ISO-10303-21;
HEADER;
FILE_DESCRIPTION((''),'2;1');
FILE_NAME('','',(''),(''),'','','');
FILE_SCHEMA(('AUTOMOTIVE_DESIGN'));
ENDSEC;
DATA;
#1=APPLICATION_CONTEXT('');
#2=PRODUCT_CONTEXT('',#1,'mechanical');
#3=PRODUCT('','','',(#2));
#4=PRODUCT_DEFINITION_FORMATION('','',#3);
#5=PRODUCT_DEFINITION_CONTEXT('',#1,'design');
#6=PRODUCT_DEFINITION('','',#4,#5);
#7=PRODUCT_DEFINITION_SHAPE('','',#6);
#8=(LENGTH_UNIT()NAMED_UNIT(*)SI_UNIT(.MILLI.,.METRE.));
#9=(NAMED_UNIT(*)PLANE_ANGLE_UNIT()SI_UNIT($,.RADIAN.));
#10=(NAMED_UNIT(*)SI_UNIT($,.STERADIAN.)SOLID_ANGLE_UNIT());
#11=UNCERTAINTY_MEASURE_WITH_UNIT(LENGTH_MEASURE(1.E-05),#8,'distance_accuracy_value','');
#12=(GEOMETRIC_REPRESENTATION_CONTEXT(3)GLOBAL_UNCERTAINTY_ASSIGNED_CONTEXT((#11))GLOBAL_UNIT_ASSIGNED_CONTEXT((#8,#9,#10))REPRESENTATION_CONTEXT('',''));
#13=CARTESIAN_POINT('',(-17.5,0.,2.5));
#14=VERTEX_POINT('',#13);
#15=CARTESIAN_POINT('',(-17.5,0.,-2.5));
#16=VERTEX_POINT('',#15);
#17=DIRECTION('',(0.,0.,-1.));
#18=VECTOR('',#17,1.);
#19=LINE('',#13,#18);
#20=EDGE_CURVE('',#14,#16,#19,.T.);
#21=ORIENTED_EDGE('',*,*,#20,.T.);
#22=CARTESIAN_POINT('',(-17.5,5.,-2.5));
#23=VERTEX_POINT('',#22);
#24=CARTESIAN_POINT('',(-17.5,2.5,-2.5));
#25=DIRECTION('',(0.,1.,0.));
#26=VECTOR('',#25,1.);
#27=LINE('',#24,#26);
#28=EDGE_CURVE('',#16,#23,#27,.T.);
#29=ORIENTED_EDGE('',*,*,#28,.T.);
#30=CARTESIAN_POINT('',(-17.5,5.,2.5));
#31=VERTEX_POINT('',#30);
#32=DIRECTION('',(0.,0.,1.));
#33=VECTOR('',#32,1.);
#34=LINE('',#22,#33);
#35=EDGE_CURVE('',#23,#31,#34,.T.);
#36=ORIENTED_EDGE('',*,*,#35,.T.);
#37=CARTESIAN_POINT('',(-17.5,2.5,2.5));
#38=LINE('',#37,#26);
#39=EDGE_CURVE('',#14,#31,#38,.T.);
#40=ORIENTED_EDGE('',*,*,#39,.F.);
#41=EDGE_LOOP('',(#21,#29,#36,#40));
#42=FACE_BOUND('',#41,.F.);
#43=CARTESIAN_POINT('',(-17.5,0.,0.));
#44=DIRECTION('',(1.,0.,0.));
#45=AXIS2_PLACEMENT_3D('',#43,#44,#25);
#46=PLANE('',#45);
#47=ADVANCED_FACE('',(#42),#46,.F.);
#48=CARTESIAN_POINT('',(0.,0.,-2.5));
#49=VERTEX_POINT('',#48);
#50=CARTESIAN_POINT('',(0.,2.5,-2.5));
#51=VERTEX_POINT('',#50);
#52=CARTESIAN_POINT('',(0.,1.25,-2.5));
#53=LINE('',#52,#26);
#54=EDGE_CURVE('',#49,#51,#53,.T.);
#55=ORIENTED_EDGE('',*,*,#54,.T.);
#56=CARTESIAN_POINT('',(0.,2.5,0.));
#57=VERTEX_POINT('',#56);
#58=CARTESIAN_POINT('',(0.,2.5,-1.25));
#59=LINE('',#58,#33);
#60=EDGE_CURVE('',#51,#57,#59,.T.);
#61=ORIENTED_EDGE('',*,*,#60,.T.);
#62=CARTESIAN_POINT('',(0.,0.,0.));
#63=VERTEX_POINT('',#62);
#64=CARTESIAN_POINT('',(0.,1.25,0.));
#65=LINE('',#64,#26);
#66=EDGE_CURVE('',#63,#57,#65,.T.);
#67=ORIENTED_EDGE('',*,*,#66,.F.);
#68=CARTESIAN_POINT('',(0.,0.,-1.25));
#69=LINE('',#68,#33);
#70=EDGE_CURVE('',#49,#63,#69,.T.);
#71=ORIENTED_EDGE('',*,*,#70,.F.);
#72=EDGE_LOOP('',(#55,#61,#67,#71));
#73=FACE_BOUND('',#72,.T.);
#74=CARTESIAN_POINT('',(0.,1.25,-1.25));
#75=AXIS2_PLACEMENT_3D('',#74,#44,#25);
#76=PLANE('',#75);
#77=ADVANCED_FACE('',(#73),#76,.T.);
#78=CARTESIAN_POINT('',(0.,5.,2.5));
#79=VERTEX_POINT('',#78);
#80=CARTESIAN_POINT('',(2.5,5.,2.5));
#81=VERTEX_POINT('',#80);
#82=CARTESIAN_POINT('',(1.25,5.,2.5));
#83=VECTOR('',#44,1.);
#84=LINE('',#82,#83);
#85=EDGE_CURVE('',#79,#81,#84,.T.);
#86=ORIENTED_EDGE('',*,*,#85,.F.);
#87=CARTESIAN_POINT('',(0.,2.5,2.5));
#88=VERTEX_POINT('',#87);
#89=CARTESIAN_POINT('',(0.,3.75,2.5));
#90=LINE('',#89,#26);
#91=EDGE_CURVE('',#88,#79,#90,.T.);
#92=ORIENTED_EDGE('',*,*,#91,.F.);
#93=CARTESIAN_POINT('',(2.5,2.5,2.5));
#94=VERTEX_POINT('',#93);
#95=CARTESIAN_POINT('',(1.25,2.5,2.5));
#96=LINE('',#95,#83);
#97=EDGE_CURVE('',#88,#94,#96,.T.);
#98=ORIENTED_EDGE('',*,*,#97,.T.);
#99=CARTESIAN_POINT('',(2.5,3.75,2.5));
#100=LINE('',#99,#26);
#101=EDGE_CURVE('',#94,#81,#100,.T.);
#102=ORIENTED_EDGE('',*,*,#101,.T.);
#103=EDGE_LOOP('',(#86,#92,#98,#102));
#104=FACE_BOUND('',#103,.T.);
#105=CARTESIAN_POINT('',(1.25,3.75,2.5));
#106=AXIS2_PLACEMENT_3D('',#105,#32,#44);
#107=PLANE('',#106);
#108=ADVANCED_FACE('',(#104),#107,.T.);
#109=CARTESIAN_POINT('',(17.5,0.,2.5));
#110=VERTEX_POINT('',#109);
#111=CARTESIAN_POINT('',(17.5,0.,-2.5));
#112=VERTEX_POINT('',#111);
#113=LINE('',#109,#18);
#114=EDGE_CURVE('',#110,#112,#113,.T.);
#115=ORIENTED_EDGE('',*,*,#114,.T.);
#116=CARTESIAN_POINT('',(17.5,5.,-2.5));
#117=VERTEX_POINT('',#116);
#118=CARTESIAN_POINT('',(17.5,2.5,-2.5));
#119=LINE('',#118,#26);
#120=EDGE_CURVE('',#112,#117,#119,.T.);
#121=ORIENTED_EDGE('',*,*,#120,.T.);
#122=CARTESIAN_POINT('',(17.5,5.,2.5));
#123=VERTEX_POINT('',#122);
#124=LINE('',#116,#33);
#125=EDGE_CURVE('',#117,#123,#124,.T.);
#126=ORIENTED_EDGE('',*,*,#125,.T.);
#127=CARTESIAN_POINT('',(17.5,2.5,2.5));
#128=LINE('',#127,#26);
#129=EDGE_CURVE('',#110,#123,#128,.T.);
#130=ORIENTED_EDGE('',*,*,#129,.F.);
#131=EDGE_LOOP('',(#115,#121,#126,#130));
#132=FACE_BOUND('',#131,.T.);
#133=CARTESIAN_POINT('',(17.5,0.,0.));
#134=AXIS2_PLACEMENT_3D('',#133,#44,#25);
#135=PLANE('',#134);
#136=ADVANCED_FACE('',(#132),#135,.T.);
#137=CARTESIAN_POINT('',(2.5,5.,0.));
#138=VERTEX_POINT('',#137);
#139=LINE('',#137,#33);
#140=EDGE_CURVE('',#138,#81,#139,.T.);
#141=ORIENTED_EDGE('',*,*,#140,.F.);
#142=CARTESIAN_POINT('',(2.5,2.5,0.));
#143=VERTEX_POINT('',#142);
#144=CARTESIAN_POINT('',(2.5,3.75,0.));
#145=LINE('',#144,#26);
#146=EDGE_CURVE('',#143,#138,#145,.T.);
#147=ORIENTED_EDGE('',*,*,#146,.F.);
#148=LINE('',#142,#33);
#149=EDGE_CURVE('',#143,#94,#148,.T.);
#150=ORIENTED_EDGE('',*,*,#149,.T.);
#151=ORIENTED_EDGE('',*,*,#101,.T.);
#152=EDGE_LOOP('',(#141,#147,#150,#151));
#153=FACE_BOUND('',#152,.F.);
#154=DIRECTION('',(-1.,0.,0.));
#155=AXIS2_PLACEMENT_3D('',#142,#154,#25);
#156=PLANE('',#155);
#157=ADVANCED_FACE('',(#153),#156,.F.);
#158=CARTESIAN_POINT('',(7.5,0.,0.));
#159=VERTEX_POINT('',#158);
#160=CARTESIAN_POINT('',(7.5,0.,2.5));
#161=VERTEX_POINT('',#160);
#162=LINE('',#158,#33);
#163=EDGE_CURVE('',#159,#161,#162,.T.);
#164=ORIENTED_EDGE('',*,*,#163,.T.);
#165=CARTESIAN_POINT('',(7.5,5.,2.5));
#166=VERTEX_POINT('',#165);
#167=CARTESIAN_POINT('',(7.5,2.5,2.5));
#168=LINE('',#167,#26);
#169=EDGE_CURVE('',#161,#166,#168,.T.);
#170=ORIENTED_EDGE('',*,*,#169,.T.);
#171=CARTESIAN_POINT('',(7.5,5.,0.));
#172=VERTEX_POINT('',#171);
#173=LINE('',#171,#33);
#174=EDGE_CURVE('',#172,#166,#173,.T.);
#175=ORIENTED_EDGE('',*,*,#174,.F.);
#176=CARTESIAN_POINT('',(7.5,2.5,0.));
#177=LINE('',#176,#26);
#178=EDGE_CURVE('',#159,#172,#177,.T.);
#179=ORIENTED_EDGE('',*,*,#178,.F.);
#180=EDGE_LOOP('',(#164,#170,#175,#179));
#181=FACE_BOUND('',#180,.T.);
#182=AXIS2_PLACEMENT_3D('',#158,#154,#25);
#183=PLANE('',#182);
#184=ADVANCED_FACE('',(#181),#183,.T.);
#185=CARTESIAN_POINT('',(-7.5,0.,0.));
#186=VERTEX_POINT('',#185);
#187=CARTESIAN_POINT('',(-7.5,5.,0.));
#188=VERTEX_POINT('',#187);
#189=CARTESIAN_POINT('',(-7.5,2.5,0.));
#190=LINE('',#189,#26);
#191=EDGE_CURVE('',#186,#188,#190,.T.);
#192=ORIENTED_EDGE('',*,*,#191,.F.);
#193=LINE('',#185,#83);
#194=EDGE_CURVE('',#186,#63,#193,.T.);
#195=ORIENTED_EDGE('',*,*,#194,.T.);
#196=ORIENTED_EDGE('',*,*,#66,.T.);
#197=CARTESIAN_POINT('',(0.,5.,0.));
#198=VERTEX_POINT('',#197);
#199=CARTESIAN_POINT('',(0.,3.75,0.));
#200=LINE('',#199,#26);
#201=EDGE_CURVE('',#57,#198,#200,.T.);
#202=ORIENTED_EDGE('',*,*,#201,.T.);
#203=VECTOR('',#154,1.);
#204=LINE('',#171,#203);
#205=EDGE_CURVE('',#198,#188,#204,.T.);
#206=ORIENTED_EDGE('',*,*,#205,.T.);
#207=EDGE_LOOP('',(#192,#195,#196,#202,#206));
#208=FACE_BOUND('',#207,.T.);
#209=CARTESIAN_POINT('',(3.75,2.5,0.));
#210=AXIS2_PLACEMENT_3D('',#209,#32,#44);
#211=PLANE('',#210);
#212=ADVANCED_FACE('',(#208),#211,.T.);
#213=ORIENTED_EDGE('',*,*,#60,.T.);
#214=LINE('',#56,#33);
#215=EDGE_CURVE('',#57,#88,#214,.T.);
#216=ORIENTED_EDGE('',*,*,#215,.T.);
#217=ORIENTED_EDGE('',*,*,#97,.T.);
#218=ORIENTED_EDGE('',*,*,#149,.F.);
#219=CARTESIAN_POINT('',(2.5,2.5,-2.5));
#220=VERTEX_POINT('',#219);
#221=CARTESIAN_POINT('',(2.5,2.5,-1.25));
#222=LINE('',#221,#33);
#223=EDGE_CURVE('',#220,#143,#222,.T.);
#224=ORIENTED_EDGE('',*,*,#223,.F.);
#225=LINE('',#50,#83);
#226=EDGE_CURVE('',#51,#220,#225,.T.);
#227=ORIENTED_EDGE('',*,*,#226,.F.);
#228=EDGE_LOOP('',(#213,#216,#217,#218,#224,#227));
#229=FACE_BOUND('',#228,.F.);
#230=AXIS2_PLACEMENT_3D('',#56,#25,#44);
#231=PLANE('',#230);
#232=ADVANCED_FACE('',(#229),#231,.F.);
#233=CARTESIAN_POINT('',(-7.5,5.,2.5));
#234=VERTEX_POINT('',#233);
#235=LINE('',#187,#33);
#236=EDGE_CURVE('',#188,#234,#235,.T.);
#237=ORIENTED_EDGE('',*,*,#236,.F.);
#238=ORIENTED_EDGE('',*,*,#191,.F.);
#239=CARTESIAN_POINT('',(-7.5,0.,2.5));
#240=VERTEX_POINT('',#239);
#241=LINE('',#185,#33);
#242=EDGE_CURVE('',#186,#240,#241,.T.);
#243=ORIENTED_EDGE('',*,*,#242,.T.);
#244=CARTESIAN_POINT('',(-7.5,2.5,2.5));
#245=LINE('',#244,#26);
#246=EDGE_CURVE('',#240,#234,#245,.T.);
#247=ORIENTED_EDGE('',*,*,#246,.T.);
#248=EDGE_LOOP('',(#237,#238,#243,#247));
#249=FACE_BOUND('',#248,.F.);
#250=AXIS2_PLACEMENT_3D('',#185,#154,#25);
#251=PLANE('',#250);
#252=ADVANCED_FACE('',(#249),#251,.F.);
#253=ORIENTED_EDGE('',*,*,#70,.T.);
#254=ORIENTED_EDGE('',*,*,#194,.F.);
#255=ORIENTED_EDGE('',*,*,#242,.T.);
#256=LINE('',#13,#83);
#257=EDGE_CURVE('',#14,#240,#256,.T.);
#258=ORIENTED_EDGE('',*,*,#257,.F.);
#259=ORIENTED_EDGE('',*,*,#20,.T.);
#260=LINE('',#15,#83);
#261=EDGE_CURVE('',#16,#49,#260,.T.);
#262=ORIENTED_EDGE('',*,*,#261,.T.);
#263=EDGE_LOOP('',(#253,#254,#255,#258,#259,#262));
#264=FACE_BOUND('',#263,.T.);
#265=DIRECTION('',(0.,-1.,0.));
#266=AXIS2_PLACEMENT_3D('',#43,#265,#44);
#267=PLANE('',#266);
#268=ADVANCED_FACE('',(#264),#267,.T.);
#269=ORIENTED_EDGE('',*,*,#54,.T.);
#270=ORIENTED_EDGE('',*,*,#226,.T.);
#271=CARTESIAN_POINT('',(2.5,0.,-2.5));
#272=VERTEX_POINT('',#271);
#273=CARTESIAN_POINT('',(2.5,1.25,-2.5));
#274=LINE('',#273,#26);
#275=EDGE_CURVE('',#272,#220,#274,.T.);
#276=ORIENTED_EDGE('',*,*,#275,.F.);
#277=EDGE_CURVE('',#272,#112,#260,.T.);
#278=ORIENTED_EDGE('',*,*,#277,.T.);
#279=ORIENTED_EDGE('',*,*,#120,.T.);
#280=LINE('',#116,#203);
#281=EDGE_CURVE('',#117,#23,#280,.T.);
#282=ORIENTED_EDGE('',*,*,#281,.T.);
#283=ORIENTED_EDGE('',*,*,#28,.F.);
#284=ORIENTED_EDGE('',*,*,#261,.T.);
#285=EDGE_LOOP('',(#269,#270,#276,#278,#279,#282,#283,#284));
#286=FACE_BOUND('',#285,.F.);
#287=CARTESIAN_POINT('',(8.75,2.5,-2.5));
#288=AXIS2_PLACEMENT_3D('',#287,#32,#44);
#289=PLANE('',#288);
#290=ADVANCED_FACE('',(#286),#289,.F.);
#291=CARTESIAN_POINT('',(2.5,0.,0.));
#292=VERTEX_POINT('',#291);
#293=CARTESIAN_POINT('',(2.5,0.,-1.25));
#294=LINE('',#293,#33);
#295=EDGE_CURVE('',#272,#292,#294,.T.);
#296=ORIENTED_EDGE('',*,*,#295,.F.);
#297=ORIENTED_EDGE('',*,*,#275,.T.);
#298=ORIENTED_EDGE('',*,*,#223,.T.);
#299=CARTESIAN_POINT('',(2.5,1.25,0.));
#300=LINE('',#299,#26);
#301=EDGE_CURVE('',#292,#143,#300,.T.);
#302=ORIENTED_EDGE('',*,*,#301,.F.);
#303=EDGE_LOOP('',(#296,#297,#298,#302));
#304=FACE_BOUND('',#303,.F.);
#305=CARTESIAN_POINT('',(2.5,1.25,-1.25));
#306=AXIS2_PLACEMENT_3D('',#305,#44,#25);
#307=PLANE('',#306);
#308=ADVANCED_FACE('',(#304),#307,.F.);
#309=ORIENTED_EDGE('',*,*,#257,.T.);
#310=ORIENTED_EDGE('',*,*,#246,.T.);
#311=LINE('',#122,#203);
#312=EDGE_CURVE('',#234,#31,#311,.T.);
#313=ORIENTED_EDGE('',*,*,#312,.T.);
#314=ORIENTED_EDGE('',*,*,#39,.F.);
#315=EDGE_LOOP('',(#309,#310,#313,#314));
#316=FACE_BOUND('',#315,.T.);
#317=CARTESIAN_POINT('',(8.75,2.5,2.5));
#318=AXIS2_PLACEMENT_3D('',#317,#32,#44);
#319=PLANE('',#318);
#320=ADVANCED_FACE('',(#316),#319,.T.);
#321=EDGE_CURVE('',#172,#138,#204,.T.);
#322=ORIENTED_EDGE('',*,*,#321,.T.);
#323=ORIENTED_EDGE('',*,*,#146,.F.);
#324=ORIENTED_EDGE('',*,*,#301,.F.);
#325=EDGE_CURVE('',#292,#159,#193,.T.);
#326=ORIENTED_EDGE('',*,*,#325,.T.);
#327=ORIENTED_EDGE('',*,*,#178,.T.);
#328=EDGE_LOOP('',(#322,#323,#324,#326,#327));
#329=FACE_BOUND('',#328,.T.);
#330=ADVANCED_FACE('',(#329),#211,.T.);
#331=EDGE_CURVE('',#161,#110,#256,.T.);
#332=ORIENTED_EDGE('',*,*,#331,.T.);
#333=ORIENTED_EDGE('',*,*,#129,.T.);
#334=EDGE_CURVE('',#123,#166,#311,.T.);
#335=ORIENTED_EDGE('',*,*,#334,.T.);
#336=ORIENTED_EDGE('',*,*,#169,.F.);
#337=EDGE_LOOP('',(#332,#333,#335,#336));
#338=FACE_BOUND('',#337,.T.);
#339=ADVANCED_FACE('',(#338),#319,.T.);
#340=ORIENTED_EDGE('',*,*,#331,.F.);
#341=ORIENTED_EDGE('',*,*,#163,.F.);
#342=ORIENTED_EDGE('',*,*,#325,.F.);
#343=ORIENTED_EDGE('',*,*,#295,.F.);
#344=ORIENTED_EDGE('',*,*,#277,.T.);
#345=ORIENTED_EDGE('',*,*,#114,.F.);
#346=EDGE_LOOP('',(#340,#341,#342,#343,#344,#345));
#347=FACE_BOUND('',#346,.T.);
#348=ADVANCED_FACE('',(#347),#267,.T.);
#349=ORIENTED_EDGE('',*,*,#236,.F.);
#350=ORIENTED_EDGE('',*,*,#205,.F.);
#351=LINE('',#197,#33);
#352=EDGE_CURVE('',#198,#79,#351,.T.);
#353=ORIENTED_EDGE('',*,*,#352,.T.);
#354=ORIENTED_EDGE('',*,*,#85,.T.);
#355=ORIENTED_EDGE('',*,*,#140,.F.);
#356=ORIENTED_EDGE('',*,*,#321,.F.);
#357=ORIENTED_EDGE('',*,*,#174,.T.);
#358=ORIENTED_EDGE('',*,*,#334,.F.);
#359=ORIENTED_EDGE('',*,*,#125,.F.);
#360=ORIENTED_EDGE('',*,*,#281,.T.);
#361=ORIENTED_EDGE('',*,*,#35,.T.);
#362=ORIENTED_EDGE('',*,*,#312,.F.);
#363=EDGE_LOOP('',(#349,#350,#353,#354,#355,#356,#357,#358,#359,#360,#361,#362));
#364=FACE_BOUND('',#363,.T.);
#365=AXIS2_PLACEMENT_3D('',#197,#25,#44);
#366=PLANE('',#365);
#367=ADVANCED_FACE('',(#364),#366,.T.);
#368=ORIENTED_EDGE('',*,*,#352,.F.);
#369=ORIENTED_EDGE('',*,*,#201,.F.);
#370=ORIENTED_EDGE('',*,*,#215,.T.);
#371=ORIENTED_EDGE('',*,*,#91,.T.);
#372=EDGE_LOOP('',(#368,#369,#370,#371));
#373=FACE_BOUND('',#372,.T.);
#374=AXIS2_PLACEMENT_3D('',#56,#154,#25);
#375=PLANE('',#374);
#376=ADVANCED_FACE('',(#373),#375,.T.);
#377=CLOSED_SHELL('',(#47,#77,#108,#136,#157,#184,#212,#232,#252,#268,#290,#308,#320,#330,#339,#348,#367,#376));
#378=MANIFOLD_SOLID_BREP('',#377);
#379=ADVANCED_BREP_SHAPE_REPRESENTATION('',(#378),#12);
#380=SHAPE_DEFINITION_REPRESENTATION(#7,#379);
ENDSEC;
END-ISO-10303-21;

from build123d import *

# Parameters (mm, degrees)
F0_W     = 17.5
F0_H     = 5
F1_DEPTH = 2.5
F2_W     = 7.5
F2_H     = 5
F3_DEPTH = 2.5
F4_W     = 2.5
F4_H     = 2.5
F5_DEPTH = 2.5
F6_W     = 2.5
F6_H     = 2.5
F7_DEPTH = 2.5


with BuildPart() as f1:
    # F0 (on Top) → F1 (new body, symmetric)
    with BuildSketch(Plane.XY):
        with Locations((8.75, 2.5)):
            Rectangle(F0_W, F0_H)
        with Locations((-8.75, 2.5)):
            Rectangle(F0_W, F0_H)
    extrude(amount=F1_DEPTH, both=True)

    # F2 (on Top) → F3 (cut)
    with BuildSketch(Plane.XY):
        with Locations((3.75, 2.5)):
            Rectangle(F2_W, F2_H)
        with Locations((-3.75, 2.5)):
            Rectangle(F2_W, F2_H)
    extrude(amount=F3_DEPTH, mode=Mode.SUBTRACT)

    # F4 (on Right) → F5 (cut)
    with BuildSketch(Plane.YZ):
        with Locations((1.25, -1.25)):
            Rectangle(F4_W, F4_H)
    extrude(amount=F5_DEPTH, mode=Mode.SUBTRACT)

    # F6 (on Top) → F7 (join)
    with BuildSketch(Plane.XY):
        with Locations((1.25, 3.75)):
            Rectangle(F6_W, F6_H)
    extrude(amount=F7_DEPTH)


solid = f1.part
